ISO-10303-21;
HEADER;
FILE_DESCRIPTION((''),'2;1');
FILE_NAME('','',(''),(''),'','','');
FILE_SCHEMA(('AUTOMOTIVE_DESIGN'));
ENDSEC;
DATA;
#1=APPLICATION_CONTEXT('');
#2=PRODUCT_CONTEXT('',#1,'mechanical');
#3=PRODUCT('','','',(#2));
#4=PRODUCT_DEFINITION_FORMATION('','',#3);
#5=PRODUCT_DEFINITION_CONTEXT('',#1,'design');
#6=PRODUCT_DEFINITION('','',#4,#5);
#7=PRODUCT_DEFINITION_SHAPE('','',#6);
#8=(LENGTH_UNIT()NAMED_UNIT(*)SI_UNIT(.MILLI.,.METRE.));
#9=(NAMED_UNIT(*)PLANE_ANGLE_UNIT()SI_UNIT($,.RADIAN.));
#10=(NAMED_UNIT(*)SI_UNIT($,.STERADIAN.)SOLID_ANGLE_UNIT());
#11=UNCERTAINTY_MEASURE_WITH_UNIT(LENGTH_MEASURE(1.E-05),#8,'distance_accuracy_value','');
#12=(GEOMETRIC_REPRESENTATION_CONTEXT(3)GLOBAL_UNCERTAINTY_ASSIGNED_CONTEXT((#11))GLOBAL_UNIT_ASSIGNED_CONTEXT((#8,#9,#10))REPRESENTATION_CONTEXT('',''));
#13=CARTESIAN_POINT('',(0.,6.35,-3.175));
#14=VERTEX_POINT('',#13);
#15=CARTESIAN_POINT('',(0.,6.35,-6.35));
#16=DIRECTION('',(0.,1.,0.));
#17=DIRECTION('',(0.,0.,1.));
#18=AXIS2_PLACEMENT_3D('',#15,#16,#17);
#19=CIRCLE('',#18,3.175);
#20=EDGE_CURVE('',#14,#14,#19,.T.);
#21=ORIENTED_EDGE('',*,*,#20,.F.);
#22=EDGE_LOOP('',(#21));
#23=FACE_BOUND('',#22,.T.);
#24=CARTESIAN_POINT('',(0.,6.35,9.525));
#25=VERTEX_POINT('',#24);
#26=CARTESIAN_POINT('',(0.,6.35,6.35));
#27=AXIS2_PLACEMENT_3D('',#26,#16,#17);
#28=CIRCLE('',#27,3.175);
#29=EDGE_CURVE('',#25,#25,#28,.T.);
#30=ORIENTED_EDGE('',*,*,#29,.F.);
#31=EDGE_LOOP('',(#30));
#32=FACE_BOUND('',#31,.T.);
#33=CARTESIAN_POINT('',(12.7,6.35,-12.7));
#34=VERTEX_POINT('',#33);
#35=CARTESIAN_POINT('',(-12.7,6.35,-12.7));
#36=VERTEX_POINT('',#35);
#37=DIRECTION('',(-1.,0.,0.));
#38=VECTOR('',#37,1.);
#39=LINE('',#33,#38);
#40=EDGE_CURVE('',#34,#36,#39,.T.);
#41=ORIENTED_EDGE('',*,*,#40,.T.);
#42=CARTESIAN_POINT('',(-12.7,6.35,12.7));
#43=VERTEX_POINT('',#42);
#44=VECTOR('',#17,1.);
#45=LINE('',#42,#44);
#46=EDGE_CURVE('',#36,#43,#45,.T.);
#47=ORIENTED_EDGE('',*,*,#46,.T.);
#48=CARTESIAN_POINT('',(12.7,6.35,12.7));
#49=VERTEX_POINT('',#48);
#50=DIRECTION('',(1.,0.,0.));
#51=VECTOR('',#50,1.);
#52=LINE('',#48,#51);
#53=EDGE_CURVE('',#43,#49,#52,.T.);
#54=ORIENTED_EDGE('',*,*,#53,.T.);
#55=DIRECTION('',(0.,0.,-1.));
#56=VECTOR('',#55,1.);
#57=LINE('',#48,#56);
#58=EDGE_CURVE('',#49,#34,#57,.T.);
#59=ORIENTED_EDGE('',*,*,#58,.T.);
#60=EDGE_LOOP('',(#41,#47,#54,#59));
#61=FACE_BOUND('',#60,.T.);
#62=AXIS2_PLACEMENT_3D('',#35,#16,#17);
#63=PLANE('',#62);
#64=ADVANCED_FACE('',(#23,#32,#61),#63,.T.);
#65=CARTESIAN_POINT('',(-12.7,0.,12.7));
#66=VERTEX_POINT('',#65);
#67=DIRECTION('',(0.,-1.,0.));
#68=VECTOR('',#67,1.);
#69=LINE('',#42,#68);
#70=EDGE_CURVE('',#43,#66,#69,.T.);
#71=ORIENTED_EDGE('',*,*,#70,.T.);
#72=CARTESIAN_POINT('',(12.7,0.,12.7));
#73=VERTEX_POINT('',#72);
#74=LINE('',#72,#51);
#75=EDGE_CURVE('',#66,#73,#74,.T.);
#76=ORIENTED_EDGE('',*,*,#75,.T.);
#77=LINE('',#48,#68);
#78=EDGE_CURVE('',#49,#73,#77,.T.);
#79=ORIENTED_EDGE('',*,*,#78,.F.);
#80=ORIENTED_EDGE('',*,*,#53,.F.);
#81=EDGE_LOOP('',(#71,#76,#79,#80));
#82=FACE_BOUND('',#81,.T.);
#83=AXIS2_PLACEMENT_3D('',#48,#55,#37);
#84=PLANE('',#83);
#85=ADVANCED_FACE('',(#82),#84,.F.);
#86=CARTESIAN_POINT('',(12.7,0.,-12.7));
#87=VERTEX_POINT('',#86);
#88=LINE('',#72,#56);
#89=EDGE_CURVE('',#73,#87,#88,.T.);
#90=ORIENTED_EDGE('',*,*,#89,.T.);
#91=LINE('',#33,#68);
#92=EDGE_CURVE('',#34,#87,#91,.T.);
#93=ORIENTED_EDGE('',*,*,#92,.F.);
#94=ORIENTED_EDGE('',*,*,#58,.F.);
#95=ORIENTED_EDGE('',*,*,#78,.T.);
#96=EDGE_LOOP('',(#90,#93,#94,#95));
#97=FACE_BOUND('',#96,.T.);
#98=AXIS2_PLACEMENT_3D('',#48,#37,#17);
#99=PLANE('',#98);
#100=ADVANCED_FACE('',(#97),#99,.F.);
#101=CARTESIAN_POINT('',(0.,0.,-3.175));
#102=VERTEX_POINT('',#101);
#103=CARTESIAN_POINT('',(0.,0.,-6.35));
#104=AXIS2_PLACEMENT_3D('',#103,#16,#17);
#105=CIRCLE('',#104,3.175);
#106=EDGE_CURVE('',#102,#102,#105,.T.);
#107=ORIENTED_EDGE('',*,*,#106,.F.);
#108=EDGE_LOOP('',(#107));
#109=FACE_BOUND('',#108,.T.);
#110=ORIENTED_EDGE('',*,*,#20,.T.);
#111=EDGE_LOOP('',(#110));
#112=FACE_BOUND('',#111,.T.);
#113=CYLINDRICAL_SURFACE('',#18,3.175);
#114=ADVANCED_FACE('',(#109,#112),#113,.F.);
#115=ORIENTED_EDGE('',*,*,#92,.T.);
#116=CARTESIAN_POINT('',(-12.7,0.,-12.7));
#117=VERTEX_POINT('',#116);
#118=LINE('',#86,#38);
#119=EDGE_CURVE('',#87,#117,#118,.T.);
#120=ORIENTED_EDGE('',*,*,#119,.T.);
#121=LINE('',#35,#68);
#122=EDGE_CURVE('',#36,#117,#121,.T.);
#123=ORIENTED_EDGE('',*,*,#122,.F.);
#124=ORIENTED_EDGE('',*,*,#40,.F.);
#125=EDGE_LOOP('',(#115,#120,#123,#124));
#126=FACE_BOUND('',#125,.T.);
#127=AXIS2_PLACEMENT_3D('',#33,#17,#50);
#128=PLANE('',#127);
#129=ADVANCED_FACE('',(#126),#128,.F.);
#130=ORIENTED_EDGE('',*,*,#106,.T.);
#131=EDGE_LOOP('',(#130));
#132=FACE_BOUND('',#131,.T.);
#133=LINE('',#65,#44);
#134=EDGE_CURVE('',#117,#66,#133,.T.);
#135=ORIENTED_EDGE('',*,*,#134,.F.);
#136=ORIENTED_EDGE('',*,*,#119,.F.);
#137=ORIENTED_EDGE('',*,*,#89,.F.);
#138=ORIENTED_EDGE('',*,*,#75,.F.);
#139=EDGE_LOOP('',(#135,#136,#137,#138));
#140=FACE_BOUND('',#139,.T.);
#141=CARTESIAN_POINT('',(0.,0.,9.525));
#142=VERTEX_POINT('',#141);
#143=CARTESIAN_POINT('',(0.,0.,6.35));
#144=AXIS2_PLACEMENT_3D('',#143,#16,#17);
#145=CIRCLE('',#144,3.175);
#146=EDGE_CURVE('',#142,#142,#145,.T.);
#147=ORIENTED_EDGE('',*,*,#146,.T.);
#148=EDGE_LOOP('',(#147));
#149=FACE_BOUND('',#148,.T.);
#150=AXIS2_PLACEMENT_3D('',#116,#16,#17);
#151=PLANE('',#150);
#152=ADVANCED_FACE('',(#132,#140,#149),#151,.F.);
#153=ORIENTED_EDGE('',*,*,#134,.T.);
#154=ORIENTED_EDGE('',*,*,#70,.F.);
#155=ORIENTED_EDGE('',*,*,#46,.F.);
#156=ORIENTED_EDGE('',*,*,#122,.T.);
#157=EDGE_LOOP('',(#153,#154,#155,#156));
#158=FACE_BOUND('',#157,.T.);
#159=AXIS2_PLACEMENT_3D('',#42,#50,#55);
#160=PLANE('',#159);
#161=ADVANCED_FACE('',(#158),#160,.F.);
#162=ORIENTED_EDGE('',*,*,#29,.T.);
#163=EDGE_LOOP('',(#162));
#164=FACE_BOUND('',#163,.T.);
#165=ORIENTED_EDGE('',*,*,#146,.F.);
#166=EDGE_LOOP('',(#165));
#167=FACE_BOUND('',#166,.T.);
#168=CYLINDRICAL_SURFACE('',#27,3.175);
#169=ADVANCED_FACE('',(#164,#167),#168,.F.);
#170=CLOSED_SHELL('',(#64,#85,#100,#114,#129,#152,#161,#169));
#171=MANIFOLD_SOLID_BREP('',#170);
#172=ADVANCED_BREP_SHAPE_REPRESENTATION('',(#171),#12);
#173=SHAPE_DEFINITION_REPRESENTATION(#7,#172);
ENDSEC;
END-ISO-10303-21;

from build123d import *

# Parameters (mm, degrees)
SKETCH1_W                   = 25.4
SKETCH1_H                   = 25.4
BOSS_EXTRUDE1_DEPTH         = 6.35
F_1_4_0_25_DIAMETER_HOLE1_D = 6.35


with BuildPart() as part:
    # Sketch1 → Boss-Extrude1 (new body)
    with BuildSketch(Plane(origin=(0, 0, 0), x_dir=(1, 0, 0), z_dir=(0, 1, 0))):
        Rectangle(SKETCH1_W, SKETCH1_H)
    extrude(amount=BOSS_EXTRUDE1_DEPTH)

    # 1/4 (0.25) Diameter Hole1 (through all)
    with Locations(Plane(origin=(0, 6.35, 0), x_dir=(-1, 0, 0), z_dir=(0, 1, 0))):
        with Locations((0, 6.35), (0, -6.35)):
            Hole(F_1_4_0_25_DIAMETER_HOLE1_D / 2)


solid = part.part
